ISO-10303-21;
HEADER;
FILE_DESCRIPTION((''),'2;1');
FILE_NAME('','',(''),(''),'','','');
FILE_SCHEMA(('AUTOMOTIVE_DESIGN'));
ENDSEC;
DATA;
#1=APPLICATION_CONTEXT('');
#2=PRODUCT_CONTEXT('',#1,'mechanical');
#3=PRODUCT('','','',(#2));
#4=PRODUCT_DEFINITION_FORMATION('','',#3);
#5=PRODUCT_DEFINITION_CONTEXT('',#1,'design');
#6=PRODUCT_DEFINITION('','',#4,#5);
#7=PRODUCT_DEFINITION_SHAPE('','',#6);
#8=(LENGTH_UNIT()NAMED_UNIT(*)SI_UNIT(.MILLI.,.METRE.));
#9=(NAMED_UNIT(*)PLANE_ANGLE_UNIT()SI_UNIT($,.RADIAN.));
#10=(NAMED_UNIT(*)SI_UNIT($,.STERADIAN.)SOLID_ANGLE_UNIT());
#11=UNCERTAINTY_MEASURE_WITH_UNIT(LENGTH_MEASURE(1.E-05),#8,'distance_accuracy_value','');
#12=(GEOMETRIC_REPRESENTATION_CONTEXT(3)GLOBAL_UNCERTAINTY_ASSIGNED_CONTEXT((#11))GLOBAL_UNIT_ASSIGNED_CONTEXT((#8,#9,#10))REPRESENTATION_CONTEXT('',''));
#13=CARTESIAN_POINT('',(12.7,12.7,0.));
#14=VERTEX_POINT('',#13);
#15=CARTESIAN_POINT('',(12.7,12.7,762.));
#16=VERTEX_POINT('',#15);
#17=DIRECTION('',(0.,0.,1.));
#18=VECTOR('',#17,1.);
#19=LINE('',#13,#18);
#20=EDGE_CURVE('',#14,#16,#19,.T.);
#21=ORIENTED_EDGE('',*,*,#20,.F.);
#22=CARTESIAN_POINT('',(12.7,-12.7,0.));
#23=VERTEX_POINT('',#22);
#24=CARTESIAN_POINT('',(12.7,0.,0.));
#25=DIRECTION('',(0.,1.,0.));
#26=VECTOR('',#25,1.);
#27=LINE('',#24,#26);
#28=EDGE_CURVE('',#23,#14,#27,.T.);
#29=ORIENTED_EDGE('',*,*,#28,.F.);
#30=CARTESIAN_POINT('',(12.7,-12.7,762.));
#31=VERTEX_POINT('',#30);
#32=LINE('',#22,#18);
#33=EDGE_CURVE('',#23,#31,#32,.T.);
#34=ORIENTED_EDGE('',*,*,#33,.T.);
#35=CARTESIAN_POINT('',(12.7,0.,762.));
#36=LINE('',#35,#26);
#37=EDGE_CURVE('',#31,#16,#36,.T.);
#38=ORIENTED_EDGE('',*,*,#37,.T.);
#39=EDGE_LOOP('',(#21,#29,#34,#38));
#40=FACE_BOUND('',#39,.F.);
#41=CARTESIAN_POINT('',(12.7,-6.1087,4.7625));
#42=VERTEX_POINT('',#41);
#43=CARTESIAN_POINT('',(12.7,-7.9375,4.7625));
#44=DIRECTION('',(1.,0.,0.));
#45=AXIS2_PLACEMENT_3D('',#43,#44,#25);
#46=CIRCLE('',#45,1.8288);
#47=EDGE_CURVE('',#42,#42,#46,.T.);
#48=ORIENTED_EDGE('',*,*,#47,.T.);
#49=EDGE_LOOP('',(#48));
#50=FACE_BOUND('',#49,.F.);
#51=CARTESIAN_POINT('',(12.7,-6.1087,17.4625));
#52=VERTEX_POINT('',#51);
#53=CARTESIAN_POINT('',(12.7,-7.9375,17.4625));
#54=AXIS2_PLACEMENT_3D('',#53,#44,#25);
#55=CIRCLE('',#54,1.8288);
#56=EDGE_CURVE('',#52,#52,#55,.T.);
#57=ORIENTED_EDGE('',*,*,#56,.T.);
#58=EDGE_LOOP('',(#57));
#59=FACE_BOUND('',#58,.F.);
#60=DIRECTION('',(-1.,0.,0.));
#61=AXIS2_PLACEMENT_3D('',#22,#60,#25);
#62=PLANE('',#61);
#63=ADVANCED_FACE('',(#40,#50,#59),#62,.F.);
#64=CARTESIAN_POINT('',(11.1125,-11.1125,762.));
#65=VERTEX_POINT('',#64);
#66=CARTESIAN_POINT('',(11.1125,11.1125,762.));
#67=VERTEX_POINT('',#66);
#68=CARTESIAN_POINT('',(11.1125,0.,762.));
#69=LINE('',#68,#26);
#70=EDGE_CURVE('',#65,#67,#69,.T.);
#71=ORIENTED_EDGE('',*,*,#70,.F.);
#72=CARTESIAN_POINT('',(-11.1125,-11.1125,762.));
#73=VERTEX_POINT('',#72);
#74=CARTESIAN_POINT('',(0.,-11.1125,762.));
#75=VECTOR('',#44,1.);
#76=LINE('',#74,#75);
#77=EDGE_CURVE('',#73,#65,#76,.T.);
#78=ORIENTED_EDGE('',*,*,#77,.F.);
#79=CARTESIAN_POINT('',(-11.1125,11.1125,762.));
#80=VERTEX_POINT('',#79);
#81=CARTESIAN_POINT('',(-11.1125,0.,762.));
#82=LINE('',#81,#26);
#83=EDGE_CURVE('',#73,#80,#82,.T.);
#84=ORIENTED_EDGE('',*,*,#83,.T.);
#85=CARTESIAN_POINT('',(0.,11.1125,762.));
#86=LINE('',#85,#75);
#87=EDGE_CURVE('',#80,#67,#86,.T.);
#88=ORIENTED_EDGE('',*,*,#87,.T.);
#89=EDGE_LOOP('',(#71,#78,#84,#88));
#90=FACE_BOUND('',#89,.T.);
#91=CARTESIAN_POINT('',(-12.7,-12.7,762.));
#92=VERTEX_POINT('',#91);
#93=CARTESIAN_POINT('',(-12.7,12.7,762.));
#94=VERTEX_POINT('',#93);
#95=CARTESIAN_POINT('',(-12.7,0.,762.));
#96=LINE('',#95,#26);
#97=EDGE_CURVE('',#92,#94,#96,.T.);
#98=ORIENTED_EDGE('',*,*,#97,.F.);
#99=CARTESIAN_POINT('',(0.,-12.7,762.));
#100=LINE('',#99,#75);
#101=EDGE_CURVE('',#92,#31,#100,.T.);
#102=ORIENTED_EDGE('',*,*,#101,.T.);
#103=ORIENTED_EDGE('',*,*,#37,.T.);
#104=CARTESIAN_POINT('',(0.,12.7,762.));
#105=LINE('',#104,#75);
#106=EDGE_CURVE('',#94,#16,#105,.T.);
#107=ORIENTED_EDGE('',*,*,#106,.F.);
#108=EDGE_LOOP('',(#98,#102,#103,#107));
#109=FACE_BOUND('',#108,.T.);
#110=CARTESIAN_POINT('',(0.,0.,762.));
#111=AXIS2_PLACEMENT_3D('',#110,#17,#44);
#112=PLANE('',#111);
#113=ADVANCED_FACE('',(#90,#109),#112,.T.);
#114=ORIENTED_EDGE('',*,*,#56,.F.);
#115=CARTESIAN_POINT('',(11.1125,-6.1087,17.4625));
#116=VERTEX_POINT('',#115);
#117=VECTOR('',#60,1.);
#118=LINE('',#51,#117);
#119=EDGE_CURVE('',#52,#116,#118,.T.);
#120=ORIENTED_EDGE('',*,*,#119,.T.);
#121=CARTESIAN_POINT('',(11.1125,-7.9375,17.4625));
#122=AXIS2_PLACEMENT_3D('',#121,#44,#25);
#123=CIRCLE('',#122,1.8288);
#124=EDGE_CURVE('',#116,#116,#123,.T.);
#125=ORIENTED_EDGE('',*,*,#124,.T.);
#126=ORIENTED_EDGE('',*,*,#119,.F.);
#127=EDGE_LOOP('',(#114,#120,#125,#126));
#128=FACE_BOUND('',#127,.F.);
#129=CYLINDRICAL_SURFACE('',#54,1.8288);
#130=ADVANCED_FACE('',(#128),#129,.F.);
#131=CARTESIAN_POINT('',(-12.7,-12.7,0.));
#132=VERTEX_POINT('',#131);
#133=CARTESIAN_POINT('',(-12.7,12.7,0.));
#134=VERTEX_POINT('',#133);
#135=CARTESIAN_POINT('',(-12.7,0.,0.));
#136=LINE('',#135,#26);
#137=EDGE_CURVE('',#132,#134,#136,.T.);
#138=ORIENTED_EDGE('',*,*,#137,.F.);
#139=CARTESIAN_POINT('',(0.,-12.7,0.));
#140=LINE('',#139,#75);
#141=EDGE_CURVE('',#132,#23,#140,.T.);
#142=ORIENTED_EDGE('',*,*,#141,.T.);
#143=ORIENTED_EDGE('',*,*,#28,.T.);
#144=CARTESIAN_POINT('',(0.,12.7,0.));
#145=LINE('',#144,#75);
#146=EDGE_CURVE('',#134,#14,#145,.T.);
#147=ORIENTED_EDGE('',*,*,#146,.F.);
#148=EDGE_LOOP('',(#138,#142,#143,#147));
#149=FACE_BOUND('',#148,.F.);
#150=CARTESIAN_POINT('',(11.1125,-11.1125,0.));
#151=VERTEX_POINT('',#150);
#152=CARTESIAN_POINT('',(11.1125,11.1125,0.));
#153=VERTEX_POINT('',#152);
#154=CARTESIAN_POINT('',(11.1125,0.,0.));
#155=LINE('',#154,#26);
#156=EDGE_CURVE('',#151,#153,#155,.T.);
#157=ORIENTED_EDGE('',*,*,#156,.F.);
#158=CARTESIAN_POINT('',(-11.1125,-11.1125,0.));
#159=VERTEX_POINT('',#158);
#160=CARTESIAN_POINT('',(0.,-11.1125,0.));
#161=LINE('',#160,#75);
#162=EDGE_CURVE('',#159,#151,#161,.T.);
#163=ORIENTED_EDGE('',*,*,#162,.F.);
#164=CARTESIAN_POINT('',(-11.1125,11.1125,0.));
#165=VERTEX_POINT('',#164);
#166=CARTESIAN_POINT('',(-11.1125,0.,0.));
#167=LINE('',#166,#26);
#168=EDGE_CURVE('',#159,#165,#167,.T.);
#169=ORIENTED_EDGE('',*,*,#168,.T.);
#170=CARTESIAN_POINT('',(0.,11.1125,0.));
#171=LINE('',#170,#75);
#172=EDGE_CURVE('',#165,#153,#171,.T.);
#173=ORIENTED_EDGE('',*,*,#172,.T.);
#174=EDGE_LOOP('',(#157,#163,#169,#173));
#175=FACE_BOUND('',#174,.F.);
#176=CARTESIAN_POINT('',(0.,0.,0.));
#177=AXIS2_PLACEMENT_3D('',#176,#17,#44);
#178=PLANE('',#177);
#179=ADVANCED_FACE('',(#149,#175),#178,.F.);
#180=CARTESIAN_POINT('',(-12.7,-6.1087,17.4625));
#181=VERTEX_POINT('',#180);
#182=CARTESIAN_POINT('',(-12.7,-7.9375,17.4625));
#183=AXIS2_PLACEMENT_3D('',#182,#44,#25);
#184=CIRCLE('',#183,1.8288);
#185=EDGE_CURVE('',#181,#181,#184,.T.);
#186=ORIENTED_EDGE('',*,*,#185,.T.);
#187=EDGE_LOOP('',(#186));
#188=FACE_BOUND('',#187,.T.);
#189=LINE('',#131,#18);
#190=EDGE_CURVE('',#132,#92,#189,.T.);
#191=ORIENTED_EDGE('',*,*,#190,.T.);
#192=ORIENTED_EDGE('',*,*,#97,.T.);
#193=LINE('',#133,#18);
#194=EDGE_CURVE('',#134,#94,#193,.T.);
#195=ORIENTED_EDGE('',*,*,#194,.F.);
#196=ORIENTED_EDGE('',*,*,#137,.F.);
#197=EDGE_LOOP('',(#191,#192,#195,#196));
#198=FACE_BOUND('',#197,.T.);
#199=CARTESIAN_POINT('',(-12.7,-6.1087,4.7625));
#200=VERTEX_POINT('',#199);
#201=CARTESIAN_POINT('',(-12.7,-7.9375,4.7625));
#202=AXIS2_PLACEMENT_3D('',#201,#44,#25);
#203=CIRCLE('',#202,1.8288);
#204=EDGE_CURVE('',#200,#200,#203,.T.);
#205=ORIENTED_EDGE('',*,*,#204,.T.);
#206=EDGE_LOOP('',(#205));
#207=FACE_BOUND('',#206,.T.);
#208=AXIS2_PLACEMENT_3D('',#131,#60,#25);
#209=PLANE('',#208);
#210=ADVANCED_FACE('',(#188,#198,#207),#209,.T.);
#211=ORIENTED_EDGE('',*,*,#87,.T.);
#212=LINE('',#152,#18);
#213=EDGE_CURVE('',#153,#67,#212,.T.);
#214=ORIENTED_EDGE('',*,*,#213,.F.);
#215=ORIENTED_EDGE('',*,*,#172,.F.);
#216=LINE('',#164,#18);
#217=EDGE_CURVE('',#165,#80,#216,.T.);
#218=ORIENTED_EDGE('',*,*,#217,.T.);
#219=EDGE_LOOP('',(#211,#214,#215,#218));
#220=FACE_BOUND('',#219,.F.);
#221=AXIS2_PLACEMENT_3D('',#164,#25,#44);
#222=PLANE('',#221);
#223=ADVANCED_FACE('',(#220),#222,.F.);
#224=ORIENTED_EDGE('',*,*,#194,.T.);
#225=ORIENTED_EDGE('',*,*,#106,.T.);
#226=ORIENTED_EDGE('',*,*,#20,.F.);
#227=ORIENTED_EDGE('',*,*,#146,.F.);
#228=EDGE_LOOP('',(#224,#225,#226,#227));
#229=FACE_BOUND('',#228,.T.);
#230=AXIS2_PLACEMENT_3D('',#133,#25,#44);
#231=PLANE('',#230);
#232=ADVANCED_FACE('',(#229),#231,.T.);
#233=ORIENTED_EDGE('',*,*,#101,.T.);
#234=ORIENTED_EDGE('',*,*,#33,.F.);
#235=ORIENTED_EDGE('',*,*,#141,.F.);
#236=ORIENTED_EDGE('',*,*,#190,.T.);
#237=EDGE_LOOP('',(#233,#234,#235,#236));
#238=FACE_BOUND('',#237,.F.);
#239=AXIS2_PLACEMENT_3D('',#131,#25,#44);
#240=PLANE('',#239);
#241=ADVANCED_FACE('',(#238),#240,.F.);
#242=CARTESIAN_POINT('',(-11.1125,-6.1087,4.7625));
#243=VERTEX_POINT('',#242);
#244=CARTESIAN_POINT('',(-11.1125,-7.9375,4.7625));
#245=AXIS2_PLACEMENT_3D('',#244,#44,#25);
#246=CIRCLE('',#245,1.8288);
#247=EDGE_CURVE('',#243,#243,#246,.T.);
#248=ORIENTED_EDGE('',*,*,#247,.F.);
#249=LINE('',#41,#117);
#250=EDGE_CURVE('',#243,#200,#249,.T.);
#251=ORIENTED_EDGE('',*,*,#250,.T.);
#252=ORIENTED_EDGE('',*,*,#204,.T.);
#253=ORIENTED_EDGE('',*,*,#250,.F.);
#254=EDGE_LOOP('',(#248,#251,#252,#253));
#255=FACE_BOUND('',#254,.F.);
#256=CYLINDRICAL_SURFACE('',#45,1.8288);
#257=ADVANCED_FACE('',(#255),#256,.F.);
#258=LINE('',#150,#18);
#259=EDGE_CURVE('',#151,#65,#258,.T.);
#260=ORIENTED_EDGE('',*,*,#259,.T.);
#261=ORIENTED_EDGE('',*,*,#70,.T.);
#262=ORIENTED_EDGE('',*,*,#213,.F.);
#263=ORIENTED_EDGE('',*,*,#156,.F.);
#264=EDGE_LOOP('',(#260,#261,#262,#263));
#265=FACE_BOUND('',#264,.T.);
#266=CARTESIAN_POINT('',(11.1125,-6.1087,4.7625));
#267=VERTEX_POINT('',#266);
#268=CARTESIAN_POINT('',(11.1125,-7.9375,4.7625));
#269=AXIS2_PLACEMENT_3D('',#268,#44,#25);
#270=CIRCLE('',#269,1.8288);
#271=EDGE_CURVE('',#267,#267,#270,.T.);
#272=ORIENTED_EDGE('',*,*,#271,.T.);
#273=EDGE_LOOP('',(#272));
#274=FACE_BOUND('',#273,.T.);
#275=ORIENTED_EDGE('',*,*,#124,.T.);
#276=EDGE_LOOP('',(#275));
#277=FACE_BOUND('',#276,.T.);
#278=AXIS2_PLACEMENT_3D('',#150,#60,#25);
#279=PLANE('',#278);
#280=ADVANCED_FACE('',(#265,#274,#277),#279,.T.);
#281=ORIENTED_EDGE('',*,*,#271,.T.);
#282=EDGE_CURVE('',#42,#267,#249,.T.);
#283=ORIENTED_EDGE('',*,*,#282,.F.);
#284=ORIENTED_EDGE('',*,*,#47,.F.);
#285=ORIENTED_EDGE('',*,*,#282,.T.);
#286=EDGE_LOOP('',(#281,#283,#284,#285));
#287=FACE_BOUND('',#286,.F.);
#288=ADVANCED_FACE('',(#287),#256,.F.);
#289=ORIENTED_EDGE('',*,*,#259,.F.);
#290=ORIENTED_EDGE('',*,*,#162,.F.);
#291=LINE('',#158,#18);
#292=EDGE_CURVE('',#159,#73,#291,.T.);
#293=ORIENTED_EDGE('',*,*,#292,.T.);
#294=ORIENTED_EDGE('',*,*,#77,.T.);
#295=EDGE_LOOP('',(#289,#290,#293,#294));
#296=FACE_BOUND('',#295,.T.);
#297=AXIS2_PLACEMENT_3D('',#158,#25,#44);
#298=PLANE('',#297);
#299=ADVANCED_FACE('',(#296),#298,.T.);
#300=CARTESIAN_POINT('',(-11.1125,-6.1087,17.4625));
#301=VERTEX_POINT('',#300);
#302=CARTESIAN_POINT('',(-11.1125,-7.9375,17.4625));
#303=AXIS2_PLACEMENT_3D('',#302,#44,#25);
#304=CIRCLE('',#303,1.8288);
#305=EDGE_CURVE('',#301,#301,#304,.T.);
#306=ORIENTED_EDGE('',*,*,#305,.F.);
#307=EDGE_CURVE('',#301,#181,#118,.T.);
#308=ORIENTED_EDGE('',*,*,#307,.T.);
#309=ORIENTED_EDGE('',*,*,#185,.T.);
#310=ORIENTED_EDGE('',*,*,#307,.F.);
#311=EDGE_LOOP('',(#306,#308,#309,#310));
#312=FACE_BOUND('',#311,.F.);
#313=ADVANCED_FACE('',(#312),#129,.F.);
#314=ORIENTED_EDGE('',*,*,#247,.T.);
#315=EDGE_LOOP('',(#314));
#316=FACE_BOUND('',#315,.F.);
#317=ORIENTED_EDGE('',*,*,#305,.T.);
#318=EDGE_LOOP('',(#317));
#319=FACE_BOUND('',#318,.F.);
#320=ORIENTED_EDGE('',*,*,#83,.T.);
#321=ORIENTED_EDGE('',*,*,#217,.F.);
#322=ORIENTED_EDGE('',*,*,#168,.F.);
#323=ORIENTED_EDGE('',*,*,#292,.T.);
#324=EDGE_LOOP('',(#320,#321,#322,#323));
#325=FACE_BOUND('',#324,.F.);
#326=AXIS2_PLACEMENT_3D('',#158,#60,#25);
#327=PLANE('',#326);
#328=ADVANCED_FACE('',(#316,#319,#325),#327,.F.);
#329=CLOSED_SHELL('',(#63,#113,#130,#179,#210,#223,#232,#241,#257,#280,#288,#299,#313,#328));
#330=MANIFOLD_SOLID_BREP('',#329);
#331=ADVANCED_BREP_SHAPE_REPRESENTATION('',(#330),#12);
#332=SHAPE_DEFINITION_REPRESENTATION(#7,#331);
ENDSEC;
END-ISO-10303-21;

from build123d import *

# Parameters (mm, degrees)
F0_W     = 25.4
F0_H     = 25.4
F0_W_2   = 22.225
F0_H_2   = 22.225
F1_DEPTH = 762
F2_R     = 1.8288
F3_DEPTH = 25.4


with BuildPart() as f1:
    # F0 (on Top) → F1 (new body)
    with BuildSketch(Plane.XY):
        Rectangle(F0_W, F0_H)
        Rectangle(F0_W_2, F0_H_2, mode=Mode.SUBTRACT)
    extrude(amount=F1_DEPTH)

    # F2 (on face) → F3 (cut, through all)
    with BuildSketch(Plane.YZ.offset(12.7)):
        with Locations((-7.9375, 4.7625)):
            Circle(F2_R)
        with Locations((-7.9375, 17.4625)):
            Circle(F2_R)
    extrude(amount=-F3_DEPTH, mode=Mode.SUBTRACT)


solid = f1.part
